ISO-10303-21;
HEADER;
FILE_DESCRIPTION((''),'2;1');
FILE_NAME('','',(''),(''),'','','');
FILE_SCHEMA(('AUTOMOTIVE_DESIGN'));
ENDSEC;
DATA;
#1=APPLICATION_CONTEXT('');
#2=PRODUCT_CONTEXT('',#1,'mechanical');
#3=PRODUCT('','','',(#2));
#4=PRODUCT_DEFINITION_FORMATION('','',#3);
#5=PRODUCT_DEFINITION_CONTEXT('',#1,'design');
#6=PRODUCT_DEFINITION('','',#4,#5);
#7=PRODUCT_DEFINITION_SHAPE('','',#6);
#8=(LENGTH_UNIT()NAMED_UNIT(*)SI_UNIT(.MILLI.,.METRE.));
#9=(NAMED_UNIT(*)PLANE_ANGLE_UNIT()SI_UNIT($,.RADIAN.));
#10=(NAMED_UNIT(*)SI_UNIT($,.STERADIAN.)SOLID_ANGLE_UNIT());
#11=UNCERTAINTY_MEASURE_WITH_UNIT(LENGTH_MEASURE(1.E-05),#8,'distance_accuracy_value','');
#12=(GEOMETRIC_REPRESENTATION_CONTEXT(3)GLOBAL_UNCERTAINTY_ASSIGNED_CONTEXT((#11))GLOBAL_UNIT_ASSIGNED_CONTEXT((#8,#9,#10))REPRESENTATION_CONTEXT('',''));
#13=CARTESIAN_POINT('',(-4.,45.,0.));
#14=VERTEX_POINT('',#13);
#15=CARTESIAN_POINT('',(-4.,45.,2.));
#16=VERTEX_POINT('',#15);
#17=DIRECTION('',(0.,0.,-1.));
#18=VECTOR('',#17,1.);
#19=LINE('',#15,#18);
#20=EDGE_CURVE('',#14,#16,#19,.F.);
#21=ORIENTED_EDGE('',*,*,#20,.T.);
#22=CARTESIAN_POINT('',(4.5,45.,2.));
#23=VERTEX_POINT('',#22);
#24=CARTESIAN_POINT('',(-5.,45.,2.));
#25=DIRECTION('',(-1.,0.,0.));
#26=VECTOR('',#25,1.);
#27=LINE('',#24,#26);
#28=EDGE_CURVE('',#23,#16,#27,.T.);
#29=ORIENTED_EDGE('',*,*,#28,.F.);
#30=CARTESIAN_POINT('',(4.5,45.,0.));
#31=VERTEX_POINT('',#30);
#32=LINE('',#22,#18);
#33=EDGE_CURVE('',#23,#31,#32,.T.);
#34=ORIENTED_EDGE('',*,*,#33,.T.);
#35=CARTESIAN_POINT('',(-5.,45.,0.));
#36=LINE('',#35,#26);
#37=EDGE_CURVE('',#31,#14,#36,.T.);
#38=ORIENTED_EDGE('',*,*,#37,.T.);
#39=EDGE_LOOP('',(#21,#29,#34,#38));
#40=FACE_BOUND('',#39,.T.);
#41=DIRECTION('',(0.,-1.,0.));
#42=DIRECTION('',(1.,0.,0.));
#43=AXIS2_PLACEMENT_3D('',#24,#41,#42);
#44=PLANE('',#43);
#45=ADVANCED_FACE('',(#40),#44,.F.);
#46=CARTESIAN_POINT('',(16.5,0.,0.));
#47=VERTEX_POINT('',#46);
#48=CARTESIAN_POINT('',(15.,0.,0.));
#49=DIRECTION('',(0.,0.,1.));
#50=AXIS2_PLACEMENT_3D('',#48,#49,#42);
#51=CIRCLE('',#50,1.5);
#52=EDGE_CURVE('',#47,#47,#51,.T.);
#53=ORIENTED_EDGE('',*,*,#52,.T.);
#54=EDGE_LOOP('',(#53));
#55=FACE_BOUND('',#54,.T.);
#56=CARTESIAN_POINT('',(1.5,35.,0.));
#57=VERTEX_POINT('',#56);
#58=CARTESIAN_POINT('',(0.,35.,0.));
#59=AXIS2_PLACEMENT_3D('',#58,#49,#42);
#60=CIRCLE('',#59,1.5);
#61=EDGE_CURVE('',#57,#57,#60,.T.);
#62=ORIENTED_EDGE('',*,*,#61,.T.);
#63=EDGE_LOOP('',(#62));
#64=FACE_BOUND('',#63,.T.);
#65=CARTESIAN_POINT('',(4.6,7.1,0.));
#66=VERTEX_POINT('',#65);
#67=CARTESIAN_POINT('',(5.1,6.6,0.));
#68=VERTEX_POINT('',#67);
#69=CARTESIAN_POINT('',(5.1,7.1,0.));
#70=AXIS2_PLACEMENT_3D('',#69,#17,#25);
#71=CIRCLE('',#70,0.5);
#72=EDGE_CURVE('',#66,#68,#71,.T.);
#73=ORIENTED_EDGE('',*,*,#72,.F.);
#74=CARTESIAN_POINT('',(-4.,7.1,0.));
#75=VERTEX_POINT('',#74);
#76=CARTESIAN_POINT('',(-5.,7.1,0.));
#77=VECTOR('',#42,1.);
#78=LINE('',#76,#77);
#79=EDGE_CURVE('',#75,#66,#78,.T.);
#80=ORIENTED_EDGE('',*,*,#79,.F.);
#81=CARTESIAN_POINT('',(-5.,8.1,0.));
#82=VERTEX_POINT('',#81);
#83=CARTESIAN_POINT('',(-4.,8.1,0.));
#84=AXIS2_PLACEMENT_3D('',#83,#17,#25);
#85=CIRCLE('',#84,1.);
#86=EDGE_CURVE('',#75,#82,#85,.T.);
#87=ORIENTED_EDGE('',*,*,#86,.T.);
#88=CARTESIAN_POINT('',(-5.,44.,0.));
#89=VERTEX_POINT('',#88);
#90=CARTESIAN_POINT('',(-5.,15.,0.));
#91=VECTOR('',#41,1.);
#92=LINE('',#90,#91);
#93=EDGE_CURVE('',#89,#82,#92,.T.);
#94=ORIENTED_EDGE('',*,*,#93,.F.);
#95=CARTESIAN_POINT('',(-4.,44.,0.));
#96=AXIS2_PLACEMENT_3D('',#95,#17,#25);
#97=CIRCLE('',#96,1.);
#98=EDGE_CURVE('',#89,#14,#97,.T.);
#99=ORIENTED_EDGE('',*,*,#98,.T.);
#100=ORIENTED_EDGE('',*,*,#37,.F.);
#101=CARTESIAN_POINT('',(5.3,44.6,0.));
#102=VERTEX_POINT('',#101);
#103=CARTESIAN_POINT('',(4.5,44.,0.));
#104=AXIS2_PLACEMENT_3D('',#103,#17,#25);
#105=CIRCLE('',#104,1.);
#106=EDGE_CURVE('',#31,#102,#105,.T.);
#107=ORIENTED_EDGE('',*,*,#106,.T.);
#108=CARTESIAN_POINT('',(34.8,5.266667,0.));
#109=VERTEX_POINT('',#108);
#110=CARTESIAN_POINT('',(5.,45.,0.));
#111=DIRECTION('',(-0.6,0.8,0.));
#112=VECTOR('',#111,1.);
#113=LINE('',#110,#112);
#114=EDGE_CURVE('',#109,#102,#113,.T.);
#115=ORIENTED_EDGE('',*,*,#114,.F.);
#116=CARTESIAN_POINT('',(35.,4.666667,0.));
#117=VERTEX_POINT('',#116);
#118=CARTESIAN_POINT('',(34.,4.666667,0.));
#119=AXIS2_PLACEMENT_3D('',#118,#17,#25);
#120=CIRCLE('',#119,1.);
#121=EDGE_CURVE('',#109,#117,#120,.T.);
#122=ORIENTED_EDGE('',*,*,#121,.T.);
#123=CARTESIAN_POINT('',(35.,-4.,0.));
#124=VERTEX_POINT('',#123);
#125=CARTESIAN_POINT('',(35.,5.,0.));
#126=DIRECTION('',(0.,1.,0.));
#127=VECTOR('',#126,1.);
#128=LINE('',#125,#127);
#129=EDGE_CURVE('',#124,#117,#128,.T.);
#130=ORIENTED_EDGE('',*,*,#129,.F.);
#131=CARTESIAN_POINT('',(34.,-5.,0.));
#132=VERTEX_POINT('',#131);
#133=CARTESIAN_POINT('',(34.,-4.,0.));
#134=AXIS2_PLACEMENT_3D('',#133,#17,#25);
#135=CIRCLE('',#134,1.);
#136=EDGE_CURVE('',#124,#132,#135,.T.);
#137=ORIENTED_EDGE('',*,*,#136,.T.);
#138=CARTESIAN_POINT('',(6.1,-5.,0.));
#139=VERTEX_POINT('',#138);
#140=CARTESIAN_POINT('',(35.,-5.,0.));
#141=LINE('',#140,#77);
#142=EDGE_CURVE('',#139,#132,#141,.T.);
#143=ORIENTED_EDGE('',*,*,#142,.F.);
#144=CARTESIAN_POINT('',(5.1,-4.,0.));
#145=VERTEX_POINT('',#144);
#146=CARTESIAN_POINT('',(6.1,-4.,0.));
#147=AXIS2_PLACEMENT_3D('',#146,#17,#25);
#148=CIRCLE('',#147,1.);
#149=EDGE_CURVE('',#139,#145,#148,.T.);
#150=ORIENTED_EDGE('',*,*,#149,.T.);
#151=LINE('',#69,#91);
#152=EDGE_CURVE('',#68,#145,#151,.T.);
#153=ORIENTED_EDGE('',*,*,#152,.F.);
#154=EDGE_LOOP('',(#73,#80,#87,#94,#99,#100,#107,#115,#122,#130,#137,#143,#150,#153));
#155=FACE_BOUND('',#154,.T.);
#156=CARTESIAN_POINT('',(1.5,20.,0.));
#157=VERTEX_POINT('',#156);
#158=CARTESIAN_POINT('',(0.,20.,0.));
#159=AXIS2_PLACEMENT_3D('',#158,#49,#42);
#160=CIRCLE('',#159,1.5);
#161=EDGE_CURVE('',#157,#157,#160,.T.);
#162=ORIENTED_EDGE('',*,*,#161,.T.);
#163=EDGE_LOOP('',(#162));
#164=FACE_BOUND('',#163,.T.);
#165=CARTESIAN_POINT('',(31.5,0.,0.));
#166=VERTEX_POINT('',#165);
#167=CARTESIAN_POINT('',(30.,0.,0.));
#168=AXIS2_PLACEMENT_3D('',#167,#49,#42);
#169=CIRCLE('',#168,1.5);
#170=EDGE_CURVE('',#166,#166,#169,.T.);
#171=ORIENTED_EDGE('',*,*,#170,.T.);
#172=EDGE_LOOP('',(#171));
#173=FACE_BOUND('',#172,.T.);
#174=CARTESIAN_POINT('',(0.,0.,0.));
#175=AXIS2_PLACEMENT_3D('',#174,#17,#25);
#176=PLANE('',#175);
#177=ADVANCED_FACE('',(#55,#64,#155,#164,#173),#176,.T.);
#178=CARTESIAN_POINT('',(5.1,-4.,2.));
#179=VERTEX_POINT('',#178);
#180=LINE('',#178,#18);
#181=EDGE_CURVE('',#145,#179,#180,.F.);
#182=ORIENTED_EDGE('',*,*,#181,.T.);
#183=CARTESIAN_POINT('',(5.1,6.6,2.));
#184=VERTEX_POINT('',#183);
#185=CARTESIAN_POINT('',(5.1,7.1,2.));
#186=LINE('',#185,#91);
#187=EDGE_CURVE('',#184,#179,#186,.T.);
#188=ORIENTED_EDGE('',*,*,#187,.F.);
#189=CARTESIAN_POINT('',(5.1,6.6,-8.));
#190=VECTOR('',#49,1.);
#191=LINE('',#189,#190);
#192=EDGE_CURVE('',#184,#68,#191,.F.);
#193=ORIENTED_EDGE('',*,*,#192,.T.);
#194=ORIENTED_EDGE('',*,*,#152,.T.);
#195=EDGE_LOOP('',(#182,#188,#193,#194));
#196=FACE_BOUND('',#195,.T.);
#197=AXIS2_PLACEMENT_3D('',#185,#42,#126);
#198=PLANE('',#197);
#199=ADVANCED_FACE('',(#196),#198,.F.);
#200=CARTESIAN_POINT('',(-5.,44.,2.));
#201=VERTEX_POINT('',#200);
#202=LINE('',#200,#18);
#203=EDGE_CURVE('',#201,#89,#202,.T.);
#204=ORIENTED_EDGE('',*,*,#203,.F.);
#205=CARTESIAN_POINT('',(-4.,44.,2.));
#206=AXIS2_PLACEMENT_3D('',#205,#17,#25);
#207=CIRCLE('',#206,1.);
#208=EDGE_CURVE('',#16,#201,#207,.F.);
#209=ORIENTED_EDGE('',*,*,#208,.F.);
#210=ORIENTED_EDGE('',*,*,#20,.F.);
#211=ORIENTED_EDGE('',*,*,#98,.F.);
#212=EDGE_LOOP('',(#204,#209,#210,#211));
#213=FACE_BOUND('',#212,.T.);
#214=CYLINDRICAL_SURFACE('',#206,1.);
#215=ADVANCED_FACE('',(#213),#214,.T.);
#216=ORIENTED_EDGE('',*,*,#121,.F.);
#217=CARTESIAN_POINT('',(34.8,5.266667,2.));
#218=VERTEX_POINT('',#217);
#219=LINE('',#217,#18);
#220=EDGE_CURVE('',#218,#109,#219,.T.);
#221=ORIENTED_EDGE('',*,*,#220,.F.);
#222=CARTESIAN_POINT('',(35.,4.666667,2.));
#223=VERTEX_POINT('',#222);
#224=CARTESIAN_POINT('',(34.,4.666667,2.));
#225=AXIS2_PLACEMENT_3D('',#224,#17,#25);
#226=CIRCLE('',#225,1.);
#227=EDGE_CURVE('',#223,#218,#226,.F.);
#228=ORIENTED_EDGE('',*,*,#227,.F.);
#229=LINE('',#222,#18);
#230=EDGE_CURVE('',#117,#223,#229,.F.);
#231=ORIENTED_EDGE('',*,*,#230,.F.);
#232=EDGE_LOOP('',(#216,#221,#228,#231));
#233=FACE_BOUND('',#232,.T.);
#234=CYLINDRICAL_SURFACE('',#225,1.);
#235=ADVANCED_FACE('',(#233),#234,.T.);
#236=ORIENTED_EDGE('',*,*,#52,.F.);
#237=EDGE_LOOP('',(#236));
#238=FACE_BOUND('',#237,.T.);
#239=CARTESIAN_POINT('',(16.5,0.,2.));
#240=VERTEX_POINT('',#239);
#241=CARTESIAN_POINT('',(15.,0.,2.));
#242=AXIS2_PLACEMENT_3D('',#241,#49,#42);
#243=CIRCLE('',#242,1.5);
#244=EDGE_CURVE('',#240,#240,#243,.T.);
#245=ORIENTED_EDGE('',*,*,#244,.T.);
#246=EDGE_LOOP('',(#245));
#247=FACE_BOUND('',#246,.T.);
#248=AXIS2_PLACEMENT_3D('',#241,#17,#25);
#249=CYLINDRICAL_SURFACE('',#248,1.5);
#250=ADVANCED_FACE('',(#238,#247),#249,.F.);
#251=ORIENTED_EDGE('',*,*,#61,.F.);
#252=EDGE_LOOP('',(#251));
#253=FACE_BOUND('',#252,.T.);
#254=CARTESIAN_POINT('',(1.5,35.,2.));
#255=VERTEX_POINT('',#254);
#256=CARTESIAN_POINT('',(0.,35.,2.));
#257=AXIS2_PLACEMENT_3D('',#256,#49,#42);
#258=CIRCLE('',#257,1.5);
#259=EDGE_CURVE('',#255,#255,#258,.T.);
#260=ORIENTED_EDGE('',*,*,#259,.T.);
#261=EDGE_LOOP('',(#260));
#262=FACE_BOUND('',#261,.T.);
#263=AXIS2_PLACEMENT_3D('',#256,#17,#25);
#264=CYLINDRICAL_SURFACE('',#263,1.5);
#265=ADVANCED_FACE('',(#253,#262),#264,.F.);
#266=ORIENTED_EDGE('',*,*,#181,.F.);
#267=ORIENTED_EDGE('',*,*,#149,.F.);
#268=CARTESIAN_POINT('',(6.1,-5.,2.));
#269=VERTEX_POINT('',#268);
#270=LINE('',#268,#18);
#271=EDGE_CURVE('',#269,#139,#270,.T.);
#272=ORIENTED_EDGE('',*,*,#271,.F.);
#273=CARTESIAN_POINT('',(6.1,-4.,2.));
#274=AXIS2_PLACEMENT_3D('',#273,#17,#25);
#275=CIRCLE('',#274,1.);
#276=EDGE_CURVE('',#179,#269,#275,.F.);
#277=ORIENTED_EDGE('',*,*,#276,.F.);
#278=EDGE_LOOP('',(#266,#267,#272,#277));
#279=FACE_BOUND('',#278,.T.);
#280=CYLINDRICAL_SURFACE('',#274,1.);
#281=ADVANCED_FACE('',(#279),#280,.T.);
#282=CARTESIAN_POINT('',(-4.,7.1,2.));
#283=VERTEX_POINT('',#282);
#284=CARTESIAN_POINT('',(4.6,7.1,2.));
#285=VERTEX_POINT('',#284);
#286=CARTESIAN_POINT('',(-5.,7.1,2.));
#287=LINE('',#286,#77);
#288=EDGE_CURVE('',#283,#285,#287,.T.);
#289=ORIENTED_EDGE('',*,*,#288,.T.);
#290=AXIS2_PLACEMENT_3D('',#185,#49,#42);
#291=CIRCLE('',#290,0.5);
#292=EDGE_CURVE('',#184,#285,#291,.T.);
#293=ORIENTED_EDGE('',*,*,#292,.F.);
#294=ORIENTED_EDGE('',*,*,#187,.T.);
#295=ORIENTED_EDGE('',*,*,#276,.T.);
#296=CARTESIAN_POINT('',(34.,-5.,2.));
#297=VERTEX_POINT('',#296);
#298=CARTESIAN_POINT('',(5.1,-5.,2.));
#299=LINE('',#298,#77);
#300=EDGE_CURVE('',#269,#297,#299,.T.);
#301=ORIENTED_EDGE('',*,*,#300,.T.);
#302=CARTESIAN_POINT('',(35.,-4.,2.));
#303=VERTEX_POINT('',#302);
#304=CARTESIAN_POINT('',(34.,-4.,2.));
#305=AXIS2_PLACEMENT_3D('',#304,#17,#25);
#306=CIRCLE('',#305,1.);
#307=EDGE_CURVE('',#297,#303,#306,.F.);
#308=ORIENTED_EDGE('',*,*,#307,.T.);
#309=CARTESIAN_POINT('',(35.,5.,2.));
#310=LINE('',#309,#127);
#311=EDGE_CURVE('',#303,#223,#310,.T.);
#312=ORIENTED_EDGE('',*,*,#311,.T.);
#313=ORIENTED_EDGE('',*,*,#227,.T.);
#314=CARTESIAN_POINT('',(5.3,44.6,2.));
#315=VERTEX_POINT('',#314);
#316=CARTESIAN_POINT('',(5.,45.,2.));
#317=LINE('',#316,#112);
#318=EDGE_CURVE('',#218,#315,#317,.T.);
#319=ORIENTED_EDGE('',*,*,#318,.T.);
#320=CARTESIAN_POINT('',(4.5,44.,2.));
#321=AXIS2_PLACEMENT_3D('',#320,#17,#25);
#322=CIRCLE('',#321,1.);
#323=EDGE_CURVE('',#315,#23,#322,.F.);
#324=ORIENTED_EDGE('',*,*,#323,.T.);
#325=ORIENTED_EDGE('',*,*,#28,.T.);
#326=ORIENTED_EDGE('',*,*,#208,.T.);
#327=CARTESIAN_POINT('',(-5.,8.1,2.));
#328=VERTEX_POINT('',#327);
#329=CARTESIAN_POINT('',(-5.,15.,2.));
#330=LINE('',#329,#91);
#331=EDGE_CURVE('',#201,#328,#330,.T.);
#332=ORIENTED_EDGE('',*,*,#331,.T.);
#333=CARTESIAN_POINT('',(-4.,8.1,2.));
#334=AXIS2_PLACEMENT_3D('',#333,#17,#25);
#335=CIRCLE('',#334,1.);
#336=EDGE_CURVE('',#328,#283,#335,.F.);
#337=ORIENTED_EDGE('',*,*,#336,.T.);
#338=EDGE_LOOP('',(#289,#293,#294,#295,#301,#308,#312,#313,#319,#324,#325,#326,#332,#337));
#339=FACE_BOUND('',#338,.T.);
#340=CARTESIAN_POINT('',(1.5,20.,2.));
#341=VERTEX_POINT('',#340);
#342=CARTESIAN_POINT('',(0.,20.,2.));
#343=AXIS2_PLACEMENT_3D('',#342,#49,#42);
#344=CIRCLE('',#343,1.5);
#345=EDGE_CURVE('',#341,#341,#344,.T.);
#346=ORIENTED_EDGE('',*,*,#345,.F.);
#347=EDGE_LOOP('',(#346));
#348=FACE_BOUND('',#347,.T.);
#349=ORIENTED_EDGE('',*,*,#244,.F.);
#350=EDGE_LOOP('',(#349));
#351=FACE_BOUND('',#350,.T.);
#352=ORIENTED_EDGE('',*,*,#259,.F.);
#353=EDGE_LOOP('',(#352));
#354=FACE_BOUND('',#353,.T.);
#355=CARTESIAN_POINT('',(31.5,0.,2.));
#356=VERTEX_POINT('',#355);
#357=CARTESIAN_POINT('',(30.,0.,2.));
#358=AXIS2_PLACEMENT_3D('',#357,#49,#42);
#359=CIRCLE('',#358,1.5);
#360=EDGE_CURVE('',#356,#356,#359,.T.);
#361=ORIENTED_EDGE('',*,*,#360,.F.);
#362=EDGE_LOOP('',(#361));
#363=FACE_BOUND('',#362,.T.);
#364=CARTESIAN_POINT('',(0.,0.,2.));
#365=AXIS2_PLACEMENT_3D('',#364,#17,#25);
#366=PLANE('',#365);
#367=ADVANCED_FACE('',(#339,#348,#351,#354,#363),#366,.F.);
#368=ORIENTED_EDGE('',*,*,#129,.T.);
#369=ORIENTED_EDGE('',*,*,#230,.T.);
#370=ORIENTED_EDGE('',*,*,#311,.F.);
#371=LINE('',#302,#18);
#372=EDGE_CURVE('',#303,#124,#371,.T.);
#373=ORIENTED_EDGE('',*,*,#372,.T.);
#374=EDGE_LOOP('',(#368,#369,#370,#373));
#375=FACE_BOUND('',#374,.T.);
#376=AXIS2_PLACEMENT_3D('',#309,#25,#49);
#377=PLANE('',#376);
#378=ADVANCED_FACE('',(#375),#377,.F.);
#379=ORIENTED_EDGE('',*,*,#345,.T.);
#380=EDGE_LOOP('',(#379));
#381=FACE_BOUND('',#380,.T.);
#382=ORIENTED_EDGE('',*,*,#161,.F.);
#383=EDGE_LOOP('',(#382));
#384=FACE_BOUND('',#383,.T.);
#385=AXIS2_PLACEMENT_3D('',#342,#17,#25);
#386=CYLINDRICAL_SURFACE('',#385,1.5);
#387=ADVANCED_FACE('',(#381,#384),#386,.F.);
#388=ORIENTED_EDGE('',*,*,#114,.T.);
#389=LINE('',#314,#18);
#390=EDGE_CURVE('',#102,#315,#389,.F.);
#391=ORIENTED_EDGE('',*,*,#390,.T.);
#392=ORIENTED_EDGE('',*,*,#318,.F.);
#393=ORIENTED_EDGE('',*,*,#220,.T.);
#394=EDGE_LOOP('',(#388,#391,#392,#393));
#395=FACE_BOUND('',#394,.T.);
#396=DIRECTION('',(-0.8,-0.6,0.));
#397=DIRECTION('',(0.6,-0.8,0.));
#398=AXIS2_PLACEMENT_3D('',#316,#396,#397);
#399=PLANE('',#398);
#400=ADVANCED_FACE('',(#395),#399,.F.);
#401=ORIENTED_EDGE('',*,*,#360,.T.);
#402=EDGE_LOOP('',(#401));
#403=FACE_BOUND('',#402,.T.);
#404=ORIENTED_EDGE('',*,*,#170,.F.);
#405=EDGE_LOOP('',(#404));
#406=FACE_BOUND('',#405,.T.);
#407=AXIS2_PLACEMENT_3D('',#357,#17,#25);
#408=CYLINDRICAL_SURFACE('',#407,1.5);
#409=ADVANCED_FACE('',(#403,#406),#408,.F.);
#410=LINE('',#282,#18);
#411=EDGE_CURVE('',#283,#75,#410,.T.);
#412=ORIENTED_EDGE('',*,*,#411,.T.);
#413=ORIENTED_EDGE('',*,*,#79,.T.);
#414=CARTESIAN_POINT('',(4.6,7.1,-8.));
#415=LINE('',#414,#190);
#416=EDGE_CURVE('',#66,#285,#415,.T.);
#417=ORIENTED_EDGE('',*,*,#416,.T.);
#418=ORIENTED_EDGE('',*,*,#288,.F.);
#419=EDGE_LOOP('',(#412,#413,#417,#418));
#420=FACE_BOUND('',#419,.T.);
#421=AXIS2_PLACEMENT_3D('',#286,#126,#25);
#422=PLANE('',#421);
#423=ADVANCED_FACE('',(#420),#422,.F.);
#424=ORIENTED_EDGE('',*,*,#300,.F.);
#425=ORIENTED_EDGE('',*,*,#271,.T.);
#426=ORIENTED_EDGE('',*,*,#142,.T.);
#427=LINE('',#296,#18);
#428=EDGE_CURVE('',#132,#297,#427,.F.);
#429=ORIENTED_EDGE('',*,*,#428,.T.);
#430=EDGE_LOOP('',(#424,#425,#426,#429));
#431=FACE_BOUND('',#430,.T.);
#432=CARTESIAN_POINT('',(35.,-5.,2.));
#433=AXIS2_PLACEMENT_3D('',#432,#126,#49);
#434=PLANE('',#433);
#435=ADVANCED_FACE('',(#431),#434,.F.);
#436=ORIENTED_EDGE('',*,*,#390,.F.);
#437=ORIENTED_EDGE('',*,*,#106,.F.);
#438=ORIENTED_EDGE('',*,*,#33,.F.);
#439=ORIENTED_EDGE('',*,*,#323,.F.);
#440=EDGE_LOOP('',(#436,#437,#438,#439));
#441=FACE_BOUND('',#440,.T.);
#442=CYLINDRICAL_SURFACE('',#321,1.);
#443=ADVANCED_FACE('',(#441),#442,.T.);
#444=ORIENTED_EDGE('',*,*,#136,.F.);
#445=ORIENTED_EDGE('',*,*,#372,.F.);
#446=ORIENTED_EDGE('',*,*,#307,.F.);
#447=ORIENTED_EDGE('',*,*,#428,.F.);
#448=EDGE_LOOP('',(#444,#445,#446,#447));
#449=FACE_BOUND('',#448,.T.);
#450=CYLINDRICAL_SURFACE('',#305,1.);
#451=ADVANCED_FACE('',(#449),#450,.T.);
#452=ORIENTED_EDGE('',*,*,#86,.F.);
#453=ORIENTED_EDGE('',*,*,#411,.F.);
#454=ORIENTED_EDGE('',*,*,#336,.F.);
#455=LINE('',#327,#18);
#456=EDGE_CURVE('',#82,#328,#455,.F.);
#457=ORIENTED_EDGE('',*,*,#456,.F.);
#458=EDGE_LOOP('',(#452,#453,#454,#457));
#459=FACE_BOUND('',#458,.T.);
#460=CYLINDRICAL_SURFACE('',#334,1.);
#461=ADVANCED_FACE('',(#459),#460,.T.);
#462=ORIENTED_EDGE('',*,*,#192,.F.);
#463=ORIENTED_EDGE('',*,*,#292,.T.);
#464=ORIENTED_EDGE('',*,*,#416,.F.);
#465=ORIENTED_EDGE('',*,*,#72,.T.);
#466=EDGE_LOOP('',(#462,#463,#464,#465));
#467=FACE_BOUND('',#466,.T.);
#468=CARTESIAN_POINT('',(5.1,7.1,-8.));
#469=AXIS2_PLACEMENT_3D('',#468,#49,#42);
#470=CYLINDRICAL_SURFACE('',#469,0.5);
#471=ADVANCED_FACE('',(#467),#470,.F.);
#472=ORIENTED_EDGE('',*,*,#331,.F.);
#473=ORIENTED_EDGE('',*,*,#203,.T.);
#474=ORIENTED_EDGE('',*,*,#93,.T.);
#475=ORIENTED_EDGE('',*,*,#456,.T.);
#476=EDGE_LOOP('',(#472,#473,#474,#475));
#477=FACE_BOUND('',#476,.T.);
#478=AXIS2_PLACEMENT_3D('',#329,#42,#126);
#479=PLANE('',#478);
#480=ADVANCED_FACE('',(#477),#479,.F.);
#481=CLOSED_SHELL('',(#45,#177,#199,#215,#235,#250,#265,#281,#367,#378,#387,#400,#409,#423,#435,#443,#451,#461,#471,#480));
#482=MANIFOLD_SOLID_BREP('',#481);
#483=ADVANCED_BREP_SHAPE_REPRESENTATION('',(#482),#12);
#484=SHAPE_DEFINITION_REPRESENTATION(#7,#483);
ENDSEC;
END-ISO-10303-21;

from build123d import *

# Parameters (mm, degrees)
SKETCH_1_R          = 1.5
EXTRUDE_1_DEPTH     = 2
SKETCH_3_R          = 0.5
CUT_EXTRUDE_3_DEPTH = 10
FILLET_1_R          = 1


with BuildPart() as part:
    # 草图1 → 凸台-拉伸1 (new body)
    with BuildSketch(Plane.XY):
        Polygon((5, 45), (-5, 45), (-5, 15), (-5, 7.1), (5.1, 7.1), (5.1, -5), (15, -5), (35, -5), (35, 5), align=None)
        with Locations((0, 20)):
            Circle(SKETCH_1_R, mode=Mode.SUBTRACT)
        with Locations((15, 0)):
            Circle(SKETCH_1_R, mode=Mode.SUBTRACT)
        with Locations((30, 0)):
            Circle(SKETCH_1_R, mode=Mode.SUBTRACT)
        with Locations((0, 35)):
            Circle(SKETCH_1_R, mode=Mode.SUBTRACT)
    extrude(amount=EXTRUDE_1_DEPTH)

    # 草图3 → 切除-拉伸3 (cut)
    with BuildSketch(Plane.XY.offset(2)):
        with Locations((5.1, 7.1)):
            Circle(SKETCH_3_R)
    extrude(amount=-CUT_EXTRUDE_3_DEPTH, mode=Mode.SUBTRACT)

    # 圆角1
    fillet_1_edges = [part.edges().sort_by_distance(p)[0] for p in [
        (-5, 45, 1),
        (5, 45, 1),
        (35, 5, 1),
        (35, -5, 1),
        (5.1, -5, 1),
        (-5, 7.1, 1),
    ]]
    fillet(fillet_1_edges, radius=FILLET_1_R)


solid = part.part
